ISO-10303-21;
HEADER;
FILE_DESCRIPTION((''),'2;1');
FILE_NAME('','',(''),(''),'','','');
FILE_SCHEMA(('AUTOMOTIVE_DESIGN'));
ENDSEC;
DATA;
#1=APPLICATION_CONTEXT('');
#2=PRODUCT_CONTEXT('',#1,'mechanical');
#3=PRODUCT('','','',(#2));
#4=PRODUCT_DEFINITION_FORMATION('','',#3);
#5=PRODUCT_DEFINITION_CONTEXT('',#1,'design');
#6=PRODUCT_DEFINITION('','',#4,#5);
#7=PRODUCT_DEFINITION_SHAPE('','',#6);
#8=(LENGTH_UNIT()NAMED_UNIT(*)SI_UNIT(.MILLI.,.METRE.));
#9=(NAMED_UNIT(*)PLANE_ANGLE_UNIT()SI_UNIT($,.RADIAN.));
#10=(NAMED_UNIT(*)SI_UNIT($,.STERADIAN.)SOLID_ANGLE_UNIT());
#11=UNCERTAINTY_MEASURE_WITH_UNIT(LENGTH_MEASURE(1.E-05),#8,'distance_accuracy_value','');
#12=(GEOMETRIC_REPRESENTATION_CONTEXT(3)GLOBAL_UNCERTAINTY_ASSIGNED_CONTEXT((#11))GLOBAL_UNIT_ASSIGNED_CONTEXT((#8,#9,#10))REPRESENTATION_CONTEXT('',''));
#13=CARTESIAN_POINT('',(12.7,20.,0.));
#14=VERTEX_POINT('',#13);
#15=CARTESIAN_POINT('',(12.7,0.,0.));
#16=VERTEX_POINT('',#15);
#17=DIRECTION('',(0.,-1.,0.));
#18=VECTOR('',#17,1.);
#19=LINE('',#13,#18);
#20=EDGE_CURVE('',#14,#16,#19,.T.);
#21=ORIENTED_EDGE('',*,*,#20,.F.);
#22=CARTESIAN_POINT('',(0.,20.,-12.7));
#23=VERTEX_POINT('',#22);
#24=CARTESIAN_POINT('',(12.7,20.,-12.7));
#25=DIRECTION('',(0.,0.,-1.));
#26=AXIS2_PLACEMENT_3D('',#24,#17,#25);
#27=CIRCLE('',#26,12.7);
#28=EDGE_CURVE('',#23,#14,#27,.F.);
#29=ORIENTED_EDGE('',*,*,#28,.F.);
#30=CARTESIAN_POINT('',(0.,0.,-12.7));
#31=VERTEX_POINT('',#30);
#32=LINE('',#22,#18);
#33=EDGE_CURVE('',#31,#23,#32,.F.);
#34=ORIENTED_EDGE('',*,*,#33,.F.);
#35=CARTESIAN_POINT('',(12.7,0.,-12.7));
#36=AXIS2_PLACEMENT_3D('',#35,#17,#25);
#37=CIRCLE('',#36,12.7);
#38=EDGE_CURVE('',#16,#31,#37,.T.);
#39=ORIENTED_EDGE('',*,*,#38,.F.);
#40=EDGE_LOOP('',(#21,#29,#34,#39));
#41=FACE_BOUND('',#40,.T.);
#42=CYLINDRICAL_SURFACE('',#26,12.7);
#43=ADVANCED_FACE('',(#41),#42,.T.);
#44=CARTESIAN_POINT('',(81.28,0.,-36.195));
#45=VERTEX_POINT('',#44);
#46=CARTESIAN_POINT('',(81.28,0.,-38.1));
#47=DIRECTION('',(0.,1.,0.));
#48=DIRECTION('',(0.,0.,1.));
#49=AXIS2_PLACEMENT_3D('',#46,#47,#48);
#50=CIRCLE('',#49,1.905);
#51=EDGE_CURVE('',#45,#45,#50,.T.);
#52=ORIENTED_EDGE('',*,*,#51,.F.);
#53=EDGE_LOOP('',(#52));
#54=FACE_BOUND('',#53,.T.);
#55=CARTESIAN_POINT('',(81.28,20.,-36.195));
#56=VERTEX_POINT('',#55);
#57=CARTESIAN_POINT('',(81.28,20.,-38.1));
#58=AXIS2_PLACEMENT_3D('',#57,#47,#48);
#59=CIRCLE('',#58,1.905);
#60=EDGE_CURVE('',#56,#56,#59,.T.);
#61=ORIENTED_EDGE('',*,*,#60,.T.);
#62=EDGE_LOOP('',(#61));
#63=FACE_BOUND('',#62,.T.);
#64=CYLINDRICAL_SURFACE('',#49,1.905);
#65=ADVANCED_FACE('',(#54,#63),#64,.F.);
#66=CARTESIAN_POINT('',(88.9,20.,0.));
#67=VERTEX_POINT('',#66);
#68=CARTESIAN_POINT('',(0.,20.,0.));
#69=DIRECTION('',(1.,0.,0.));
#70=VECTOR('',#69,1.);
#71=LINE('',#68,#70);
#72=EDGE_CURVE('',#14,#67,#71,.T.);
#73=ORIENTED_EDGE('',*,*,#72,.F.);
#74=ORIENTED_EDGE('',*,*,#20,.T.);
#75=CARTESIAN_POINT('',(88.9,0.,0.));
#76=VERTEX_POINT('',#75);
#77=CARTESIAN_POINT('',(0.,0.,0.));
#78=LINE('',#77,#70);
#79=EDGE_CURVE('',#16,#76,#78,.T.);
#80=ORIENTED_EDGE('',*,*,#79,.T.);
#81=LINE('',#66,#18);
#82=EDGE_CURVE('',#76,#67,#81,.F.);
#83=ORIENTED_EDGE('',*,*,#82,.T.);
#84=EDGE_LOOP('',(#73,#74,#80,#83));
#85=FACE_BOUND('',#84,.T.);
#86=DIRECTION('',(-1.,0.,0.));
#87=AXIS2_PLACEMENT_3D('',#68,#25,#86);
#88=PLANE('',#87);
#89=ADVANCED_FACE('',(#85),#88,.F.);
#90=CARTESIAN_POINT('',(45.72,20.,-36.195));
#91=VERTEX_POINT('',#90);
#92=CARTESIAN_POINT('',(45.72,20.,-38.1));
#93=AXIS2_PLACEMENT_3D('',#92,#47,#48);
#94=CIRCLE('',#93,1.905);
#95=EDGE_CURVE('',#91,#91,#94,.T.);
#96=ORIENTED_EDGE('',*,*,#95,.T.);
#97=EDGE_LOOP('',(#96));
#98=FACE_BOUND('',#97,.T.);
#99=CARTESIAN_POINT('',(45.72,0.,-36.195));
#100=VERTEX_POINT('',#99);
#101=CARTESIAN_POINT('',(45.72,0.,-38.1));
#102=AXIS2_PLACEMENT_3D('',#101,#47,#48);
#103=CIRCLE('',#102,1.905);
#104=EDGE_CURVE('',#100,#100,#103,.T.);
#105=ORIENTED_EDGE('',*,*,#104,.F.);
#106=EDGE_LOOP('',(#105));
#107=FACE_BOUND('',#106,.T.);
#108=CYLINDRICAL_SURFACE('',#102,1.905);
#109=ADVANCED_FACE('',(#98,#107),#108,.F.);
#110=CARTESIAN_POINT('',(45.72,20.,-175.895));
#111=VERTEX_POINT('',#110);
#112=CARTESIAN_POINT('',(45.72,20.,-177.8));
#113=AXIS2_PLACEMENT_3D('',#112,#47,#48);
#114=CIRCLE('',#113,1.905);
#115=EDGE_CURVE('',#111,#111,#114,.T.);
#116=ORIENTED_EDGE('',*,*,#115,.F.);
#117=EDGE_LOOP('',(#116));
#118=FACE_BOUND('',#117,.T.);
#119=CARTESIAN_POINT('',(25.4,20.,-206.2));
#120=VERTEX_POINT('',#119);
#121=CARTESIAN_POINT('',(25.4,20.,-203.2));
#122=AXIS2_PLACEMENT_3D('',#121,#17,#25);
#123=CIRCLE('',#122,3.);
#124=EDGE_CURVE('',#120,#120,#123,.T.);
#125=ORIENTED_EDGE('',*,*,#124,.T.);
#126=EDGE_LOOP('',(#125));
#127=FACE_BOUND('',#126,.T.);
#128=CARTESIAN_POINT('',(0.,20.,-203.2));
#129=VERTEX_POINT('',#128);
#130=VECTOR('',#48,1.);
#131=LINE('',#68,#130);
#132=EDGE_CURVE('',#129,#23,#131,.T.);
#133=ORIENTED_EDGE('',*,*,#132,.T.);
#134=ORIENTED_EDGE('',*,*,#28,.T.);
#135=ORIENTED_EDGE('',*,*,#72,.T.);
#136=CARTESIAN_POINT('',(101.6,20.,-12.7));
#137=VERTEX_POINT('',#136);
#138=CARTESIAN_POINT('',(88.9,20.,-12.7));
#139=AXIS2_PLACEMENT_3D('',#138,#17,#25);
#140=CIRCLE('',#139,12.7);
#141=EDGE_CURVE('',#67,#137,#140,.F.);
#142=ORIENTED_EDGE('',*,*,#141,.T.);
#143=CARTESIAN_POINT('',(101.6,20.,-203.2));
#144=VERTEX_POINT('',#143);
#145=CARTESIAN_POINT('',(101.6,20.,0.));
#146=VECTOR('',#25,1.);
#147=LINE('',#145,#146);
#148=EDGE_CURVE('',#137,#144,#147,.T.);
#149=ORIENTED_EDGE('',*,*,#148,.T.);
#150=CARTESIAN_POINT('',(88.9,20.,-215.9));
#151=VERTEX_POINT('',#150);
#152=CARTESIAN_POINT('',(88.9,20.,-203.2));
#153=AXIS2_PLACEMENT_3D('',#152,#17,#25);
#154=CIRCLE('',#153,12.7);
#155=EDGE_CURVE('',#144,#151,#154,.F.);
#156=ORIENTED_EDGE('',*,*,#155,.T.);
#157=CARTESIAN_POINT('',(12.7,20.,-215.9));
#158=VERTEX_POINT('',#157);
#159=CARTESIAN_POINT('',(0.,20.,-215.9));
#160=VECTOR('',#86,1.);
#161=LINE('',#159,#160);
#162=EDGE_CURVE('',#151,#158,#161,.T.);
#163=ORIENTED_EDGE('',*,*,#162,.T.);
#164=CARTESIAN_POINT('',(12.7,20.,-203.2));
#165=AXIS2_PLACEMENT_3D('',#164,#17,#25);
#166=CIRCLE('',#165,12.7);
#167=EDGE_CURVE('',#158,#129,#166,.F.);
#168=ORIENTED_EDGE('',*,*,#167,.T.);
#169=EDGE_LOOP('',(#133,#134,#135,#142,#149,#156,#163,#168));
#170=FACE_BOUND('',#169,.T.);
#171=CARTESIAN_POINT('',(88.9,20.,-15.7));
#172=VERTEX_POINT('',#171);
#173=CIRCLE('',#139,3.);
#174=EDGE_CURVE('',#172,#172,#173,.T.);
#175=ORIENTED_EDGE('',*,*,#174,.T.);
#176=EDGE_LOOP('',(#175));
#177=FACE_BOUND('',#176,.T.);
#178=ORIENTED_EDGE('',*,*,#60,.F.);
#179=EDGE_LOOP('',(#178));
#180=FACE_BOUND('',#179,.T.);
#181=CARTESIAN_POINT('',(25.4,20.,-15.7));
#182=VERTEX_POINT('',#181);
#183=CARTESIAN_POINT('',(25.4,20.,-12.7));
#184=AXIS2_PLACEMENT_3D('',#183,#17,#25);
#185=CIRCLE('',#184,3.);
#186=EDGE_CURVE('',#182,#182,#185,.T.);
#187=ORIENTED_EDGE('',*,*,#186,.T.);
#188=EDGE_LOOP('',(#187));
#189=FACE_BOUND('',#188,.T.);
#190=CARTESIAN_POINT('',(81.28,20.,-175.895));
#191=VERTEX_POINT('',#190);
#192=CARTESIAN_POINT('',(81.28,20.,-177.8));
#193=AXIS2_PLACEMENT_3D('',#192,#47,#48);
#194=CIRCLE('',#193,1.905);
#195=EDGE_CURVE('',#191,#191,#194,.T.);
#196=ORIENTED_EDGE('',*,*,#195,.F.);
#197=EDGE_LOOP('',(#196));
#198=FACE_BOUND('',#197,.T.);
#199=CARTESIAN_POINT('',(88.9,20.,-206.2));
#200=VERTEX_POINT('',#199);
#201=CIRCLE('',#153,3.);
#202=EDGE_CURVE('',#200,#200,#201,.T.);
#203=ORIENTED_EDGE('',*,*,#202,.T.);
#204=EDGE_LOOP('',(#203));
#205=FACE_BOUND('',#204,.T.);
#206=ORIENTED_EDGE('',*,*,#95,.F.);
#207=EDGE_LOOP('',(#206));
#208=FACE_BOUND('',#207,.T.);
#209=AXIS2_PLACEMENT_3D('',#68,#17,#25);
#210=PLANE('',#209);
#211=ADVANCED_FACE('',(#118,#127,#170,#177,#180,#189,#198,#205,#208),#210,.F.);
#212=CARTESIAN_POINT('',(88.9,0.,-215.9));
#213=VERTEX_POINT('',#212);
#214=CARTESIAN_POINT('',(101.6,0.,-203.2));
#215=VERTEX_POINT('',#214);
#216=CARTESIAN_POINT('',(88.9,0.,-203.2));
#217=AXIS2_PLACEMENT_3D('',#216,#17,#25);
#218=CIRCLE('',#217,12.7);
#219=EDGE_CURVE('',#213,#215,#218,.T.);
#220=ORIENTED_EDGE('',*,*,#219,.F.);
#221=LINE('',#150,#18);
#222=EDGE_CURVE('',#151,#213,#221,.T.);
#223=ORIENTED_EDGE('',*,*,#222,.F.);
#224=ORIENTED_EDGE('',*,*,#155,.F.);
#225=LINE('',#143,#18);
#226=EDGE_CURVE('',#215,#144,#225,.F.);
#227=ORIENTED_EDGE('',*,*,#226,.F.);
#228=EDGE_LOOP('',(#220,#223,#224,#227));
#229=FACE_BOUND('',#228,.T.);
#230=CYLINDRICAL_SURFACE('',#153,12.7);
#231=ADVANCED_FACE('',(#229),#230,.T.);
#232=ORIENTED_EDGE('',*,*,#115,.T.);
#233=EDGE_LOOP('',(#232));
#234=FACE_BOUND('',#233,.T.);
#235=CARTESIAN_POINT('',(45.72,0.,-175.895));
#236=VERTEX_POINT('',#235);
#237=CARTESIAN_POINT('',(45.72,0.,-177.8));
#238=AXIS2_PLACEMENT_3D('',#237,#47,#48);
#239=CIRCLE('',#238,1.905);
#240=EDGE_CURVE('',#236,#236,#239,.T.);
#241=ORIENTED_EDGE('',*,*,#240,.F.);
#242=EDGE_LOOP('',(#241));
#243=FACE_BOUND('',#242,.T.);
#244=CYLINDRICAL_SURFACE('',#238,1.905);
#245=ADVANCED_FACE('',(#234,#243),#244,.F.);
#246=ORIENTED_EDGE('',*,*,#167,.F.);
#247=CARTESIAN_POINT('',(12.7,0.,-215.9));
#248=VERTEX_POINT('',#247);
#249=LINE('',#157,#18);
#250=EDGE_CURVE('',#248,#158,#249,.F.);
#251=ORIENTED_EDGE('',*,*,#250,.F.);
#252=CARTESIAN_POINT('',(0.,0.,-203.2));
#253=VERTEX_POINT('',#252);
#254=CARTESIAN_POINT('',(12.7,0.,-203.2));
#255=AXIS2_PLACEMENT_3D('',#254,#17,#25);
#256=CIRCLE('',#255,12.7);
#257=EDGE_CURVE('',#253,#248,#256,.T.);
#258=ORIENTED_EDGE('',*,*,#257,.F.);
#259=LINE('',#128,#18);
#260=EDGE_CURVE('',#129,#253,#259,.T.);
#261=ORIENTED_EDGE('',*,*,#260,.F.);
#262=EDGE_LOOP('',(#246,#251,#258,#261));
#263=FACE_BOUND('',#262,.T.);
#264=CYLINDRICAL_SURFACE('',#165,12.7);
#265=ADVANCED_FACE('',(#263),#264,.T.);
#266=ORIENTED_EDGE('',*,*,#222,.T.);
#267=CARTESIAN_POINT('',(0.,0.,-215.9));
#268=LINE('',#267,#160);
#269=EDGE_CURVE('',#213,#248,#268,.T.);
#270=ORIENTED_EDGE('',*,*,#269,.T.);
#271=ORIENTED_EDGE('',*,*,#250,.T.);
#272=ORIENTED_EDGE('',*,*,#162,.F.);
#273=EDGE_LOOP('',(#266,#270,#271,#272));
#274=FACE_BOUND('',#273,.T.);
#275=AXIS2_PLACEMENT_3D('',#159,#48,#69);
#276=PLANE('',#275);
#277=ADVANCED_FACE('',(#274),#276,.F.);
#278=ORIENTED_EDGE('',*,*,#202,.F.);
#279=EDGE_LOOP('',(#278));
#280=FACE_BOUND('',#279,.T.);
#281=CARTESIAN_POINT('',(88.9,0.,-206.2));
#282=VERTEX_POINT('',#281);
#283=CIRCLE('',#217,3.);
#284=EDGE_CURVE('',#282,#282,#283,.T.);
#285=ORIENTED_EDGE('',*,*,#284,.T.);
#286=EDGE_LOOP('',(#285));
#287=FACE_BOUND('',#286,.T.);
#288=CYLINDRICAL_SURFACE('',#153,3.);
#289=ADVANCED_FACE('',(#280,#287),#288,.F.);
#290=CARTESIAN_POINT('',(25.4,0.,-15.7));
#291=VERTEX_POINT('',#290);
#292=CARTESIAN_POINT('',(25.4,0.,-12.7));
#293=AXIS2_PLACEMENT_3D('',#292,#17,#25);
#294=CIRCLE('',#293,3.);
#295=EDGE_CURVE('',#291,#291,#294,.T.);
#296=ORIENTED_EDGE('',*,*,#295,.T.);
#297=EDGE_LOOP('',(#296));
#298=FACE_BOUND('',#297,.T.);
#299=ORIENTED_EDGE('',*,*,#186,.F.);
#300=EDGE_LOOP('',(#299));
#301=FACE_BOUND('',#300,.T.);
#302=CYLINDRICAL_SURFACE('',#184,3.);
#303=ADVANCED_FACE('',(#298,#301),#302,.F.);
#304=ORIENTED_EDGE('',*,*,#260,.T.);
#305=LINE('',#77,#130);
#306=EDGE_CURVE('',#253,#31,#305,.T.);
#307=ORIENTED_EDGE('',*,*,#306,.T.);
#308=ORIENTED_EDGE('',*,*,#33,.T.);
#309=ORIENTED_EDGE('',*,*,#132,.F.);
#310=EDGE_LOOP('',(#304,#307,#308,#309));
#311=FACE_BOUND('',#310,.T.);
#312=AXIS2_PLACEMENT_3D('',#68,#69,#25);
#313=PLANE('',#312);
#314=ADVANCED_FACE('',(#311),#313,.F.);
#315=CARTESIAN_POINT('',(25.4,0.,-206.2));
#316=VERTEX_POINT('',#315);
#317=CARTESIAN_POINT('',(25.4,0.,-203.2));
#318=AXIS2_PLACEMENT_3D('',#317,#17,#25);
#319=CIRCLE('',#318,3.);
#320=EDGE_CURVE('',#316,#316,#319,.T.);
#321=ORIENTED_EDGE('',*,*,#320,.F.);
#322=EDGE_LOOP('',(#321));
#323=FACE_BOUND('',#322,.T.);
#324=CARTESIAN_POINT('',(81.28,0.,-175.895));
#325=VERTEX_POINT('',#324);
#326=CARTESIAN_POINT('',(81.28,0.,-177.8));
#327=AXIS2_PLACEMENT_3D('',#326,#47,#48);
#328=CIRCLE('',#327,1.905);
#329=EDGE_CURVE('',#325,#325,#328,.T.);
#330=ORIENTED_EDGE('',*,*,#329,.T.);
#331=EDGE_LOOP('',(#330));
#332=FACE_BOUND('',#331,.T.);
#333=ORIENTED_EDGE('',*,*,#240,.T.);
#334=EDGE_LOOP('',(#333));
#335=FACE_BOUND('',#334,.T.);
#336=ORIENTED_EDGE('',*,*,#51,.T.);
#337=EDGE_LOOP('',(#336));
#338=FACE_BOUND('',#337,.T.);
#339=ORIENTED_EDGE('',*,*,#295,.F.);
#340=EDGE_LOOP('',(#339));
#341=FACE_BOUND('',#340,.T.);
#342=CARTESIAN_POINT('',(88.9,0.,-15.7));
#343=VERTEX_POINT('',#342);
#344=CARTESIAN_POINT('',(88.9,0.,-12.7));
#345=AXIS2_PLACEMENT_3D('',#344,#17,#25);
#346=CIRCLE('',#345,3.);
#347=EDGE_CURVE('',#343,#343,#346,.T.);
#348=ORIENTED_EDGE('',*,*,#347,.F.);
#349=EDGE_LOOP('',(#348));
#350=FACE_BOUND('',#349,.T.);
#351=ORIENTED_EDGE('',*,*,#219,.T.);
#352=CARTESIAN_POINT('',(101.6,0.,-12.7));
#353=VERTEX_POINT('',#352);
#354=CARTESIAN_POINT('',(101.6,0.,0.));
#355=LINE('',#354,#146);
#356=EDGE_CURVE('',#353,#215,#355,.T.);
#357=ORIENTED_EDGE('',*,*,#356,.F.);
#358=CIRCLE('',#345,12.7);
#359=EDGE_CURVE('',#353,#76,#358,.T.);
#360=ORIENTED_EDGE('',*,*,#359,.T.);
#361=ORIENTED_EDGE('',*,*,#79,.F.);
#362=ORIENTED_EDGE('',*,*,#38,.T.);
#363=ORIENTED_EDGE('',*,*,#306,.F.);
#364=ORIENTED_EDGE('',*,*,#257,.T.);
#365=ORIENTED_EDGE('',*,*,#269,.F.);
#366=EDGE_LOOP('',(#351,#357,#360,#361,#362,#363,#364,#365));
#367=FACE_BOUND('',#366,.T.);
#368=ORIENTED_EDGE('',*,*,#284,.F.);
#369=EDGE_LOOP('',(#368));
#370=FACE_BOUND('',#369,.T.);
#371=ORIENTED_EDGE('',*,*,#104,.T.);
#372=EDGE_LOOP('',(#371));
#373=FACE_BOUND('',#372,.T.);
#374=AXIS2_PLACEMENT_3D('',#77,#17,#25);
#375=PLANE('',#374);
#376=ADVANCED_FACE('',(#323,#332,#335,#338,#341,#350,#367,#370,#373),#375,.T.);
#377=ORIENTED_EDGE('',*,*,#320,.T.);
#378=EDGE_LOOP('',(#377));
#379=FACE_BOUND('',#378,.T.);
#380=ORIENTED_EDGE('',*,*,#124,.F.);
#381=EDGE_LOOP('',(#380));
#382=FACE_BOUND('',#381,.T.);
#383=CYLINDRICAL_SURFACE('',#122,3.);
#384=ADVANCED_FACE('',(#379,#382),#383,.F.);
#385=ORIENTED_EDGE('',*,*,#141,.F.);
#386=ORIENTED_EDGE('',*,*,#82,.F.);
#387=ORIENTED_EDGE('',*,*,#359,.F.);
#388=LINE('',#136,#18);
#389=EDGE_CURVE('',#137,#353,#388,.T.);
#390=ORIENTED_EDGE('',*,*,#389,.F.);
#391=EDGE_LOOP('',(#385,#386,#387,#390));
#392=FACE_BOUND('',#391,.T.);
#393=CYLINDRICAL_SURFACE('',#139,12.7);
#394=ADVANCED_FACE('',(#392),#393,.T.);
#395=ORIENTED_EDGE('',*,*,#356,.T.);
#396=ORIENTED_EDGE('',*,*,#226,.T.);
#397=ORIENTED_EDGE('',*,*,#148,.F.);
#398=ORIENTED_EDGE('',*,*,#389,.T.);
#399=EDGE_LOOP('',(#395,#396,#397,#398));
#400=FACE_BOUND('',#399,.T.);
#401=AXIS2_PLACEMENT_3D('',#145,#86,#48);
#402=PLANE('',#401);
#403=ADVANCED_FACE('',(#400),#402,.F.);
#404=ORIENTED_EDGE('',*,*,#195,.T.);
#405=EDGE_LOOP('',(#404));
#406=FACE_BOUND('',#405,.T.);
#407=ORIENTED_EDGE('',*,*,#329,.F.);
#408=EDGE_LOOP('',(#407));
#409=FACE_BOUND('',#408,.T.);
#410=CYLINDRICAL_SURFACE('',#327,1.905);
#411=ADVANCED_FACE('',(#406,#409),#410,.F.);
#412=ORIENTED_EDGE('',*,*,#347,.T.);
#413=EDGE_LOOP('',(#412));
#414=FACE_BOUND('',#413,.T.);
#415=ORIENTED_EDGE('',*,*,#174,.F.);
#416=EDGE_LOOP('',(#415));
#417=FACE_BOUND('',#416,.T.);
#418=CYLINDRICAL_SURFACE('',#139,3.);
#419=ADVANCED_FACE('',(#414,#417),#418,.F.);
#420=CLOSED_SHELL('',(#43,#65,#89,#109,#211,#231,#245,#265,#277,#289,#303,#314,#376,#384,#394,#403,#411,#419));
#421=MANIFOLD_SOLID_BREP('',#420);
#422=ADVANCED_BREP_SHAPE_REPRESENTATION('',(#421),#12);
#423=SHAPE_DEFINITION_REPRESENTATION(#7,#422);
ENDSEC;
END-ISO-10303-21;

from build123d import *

# Parameters (mm, degrees)
SKETCH1_W           = 101.6
SKETCH1_H           = 215.9
BOSS_EXTRUDE2_DEPTH = 20
FILLET1_R           = 12.7
SKETCH5_R           = 3
CUT_EXTRUDE1_DEPTH  = 21
SKETCH7_R           = 1.905
CUT_EXTRUDE2_DEPTH  = 21


with BuildPart() as part:
    # Sketch1 → Boss-Extrude2 (new body)
    with BuildSketch(Plane(origin=(0, 0, 0), x_dir=(1, 0, 0), z_dir=(0, 1, 0))):
        with Locations((50.8, 107.95)):
            Rectangle(SKETCH1_W, SKETCH1_H)
    extrude(amount=BOSS_EXTRUDE2_DEPTH)

    # Fillet1
    fillet1_edges = [part.edges().sort_by_distance(p)[0] for p in [
        (0, 10, -215.9),
        (101.6, 10, -215.9),
        (101.6, 10, 0),
        (0, 10, 0),
    ]]
    fillet(fillet1_edges, radius=FILLET1_R)

    # Sketch5 → Cut-Extrude1 (cut, through all)
    with BuildSketch(Plane(origin=(0, 0, 0), x_dir=(-1, 0, 0), z_dir=(0, -1, 0))):
        with Locations((-88.9, 203.2)):
            Circle(SKETCH5_R)
        with Locations((-25.4, 203.2)):
            Circle(SKETCH5_R)
        with Locations((-88.9, 12.7)):
            Circle(SKETCH5_R)
        with Locations((-25.4, 12.7)):
            Circle(SKETCH5_R)
    extrude(amount=-CUT_EXTRUDE1_DEPTH, mode=Mode.SUBTRACT)

    # Sketch7 → Cut-Extrude2 (cut, through all)
    with BuildSketch(Plane(origin=(0, 20, 0), x_dir=(1, 0, 0), z_dir=(0, 1, 0))):
        with Locations((81.28, 177.8)):
            Circle(SKETCH7_R)
        with Locations((45.72, 177.8)):
            Circle(SKETCH7_R)
        with Locations((45.72, 38.1)):
            Circle(SKETCH7_R)
        with Locations((81.28, 38.1)):
            Circle(SKETCH7_R)
    extrude(amount=-CUT_EXTRUDE2_DEPTH, mode=Mode.SUBTRACT)


solid = part.part
